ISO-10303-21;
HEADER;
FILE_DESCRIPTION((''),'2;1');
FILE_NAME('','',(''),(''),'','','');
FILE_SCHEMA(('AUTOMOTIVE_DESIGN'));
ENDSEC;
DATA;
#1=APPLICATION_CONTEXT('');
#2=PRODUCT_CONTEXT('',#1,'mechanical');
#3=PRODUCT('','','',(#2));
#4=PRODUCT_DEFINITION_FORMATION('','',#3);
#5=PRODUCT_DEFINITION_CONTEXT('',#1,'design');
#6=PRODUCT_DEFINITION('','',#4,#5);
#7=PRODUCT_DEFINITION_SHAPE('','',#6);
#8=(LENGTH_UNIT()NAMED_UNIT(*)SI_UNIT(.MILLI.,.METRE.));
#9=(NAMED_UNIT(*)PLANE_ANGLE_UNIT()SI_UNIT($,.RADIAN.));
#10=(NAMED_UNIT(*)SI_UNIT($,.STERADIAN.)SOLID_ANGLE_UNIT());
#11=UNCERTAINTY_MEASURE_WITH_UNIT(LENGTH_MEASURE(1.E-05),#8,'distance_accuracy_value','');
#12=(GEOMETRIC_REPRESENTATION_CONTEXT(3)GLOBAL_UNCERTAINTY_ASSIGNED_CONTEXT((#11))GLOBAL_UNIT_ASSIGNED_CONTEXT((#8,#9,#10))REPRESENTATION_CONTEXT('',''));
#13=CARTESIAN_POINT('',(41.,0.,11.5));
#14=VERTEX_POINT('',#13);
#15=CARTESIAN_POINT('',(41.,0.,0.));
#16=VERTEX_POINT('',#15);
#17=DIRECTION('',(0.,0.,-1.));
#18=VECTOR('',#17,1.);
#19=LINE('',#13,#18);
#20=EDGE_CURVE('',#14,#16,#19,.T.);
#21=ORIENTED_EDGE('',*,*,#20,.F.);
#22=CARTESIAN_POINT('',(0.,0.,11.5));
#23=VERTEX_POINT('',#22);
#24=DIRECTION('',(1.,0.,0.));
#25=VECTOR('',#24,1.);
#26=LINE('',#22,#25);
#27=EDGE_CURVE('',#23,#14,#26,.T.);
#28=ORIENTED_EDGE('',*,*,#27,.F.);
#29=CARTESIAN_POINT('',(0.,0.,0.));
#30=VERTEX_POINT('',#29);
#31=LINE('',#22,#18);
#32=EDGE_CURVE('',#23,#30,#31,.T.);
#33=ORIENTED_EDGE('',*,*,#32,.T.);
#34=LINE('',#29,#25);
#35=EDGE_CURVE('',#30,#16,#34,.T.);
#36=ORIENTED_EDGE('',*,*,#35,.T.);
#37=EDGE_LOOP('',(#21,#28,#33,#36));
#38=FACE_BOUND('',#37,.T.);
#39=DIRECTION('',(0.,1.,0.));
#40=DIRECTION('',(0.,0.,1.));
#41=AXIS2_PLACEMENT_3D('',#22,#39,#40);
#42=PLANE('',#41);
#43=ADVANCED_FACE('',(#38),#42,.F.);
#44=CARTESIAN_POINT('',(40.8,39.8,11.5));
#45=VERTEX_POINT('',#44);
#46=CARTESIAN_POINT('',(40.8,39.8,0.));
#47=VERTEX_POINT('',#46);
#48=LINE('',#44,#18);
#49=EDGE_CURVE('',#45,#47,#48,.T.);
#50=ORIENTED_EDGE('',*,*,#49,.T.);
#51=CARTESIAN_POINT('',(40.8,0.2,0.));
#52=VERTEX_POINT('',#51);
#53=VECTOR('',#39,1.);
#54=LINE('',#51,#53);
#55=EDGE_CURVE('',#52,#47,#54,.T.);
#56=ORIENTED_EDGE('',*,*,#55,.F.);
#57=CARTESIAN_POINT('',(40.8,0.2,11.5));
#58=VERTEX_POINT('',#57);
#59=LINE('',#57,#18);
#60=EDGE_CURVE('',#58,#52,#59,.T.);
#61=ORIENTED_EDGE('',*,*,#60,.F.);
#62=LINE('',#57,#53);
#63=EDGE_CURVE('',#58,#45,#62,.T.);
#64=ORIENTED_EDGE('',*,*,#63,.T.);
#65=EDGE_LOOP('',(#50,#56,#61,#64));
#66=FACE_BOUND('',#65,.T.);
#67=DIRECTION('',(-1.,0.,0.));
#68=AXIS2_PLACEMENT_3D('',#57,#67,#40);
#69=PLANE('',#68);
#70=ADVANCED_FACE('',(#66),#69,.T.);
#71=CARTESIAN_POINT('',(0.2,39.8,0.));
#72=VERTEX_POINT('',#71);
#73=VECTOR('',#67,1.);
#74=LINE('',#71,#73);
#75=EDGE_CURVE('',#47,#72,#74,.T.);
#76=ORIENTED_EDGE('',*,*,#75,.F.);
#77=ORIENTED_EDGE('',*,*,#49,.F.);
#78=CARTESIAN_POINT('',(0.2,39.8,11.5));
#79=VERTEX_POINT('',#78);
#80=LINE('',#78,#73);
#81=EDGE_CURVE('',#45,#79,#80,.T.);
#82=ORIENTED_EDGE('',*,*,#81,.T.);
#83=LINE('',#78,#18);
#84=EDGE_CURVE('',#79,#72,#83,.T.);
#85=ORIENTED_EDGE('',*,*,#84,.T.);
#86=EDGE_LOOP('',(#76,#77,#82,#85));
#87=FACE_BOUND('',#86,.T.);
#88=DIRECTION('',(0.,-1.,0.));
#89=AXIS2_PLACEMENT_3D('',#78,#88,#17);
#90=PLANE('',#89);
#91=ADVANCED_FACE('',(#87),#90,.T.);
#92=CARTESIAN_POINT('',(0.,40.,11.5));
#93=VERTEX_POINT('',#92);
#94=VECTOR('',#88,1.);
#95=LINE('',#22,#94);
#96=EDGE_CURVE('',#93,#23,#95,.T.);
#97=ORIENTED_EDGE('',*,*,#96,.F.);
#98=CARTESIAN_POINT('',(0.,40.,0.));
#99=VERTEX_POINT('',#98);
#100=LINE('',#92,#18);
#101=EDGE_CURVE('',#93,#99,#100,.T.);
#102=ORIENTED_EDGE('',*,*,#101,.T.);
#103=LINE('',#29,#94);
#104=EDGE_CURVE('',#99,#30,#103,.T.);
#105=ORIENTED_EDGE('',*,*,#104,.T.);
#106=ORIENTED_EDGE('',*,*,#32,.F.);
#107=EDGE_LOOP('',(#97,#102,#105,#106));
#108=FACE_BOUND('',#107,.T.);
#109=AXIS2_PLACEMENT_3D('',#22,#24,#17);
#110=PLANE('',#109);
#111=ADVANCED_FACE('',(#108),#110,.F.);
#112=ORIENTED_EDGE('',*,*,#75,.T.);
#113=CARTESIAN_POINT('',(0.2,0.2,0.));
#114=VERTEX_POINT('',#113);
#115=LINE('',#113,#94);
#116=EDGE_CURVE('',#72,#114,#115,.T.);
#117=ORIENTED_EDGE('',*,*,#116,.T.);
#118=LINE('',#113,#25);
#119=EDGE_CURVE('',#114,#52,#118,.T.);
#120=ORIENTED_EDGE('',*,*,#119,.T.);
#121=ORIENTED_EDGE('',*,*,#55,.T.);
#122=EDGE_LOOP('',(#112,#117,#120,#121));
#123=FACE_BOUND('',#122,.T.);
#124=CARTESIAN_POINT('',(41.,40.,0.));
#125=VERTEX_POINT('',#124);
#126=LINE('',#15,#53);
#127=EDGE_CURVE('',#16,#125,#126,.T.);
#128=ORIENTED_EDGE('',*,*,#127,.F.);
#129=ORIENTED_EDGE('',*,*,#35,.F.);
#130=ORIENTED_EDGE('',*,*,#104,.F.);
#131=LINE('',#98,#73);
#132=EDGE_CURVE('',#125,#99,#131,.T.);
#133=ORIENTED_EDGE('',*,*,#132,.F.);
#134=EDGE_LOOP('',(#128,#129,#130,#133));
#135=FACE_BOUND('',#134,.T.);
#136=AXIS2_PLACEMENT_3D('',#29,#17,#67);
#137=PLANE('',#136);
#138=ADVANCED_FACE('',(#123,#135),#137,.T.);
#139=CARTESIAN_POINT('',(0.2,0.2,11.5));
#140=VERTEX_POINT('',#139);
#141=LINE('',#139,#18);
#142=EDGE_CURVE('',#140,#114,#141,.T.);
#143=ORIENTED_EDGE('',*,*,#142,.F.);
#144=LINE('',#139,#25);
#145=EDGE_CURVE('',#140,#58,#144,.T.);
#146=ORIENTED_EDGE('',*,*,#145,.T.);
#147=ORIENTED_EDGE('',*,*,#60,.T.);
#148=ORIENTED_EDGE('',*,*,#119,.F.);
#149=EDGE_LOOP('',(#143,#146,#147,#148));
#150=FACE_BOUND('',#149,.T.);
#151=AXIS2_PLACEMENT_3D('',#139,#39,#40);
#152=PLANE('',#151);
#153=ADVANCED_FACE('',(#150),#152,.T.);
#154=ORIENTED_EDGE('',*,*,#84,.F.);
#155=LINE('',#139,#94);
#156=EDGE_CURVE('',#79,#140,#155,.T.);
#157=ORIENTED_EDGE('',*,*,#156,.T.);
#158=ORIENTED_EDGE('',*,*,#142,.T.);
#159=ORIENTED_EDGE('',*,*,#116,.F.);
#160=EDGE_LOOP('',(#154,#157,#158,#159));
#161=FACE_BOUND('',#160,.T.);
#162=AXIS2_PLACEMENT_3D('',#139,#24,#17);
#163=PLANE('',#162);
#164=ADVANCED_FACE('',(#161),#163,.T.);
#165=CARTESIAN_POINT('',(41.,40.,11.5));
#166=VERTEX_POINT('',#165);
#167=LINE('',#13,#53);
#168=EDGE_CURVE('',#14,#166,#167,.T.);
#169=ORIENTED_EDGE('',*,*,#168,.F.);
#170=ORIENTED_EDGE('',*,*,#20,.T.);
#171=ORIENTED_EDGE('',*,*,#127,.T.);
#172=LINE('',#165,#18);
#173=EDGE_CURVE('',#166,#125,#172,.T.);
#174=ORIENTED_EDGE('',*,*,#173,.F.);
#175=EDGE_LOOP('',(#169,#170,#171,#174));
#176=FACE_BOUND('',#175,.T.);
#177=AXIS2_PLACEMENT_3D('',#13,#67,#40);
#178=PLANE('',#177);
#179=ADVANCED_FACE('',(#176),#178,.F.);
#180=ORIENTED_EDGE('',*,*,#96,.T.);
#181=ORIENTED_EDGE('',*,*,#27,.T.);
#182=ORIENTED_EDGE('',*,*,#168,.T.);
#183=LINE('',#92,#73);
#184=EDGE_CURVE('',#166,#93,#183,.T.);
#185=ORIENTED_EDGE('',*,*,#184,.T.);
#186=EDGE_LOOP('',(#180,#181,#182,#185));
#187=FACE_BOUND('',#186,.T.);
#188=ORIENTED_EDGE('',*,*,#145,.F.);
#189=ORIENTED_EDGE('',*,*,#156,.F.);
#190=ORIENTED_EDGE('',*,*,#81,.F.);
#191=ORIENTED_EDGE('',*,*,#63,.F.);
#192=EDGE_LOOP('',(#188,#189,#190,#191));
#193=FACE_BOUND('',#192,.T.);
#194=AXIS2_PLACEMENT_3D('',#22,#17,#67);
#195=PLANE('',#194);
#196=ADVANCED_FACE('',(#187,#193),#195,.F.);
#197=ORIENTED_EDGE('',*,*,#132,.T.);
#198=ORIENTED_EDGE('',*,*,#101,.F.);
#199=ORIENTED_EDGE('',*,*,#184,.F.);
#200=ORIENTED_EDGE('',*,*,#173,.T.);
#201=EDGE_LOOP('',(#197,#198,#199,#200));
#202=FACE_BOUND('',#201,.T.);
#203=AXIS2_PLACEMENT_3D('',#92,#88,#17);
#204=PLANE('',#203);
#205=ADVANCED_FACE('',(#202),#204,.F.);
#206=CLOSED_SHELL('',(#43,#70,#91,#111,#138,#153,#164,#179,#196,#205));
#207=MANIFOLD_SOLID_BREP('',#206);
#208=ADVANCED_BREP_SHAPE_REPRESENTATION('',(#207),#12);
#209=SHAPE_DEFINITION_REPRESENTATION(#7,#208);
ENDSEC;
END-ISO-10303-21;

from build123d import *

# Parameters (mm, degrees)
SKETCH_1_W      = 41
SKETCH_1_H      = 40
SKETCH_1_W_2    = 40.6
SKETCH_1_H_2    = 39.6
EXTRUDE_1_DEPTH = 11.5


with BuildPart() as part:
    # 스케치1 → 보스-돌출1 (new body)
    with BuildSketch(Plane.XY):
        with Locations((20.5, 20)):
            Rectangle(SKETCH_1_W, SKETCH_1_H)
        with Locations((20.5, 20)):
            Rectangle(SKETCH_1_W_2, SKETCH_1_H_2, mode=Mode.SUBTRACT)
    extrude(amount=EXTRUDE_1_DEPTH)


solid = part.part
